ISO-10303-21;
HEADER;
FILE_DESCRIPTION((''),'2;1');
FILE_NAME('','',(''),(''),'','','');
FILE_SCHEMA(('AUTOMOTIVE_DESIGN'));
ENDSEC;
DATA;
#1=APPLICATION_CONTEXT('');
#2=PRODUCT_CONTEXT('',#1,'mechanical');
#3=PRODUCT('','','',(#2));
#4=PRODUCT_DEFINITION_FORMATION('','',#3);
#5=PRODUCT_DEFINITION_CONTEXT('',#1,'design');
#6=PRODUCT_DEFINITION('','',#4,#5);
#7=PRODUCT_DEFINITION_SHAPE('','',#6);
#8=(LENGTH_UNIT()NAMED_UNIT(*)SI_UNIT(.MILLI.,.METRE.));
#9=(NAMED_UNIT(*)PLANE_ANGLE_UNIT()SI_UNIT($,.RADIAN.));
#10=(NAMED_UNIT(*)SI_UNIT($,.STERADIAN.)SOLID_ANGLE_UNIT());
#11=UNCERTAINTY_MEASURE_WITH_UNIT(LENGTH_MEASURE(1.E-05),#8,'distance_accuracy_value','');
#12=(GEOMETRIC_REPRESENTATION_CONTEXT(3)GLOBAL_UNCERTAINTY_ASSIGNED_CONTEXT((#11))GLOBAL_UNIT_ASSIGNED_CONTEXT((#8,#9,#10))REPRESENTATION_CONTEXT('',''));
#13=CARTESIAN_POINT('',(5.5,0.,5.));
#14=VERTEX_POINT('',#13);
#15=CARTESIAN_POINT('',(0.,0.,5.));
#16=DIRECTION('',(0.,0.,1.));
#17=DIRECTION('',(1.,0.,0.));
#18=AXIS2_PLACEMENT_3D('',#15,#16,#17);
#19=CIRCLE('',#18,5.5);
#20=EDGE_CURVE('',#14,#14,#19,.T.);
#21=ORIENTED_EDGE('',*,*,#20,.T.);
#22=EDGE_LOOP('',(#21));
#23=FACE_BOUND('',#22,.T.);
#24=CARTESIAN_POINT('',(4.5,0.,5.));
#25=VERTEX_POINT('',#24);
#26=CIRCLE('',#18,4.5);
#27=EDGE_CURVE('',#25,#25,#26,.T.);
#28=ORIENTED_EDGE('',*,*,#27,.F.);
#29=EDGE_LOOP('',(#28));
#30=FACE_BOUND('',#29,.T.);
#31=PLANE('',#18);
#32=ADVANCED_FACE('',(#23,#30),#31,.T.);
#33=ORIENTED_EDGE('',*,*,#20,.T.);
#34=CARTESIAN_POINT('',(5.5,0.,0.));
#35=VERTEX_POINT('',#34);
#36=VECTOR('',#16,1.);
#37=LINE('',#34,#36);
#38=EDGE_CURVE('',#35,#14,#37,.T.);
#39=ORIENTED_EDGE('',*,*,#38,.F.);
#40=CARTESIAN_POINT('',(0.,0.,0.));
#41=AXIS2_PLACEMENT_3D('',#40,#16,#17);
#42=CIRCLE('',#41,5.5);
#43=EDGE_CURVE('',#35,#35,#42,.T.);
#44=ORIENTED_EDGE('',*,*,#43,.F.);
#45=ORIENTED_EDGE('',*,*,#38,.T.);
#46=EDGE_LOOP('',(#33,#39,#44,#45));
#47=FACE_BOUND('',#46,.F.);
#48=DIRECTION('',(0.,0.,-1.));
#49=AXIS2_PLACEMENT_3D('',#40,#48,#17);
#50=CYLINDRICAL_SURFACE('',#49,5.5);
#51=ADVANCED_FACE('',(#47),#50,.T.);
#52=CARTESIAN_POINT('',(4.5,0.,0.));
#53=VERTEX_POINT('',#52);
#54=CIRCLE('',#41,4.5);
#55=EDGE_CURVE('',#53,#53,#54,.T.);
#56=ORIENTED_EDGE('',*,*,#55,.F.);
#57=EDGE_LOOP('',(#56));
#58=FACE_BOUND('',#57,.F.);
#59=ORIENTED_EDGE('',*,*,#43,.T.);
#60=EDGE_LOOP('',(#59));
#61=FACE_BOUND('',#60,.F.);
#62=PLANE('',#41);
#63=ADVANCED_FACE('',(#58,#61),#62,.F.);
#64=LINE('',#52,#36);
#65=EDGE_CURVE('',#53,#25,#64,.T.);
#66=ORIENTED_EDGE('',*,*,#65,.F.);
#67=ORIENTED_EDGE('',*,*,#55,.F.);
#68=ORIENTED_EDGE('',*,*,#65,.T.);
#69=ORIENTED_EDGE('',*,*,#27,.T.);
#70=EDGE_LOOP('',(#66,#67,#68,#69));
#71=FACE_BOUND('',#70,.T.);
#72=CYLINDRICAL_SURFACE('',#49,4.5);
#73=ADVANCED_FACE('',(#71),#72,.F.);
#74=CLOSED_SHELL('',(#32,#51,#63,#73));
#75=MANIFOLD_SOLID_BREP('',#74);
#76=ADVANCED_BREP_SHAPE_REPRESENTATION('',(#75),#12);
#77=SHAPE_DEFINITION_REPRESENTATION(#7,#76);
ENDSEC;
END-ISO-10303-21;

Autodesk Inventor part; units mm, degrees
ref_plane "YZ Plane" through (0, 0, 0) normal (1, 0, 0) x (0, 1, 0)
ref_plane "XZ Plane" through (0, 0, 0) normal (0, 1, 0) x (-1, 0, 0)
ref_plane "XY Plane" through (0, 0, 0) normal (0, 0, 1) x (1, 0, 0)
sketch "スケッチ1" plane through (0, 0, 0) normal (0, 0, 1) x (1, 0, 0)
  circle A0 centre (0, 0) radius 4.5
  circle A1 centre (0, 0) radius 5.5
  dimension "d0" = 9
  dimension "d1" = 11
extrude "押し出し1" add sketch "スケッチ1" along normal blind 5
properties part number "オイレス　9-11 l=5" material "アセタール樹脂、黒"
